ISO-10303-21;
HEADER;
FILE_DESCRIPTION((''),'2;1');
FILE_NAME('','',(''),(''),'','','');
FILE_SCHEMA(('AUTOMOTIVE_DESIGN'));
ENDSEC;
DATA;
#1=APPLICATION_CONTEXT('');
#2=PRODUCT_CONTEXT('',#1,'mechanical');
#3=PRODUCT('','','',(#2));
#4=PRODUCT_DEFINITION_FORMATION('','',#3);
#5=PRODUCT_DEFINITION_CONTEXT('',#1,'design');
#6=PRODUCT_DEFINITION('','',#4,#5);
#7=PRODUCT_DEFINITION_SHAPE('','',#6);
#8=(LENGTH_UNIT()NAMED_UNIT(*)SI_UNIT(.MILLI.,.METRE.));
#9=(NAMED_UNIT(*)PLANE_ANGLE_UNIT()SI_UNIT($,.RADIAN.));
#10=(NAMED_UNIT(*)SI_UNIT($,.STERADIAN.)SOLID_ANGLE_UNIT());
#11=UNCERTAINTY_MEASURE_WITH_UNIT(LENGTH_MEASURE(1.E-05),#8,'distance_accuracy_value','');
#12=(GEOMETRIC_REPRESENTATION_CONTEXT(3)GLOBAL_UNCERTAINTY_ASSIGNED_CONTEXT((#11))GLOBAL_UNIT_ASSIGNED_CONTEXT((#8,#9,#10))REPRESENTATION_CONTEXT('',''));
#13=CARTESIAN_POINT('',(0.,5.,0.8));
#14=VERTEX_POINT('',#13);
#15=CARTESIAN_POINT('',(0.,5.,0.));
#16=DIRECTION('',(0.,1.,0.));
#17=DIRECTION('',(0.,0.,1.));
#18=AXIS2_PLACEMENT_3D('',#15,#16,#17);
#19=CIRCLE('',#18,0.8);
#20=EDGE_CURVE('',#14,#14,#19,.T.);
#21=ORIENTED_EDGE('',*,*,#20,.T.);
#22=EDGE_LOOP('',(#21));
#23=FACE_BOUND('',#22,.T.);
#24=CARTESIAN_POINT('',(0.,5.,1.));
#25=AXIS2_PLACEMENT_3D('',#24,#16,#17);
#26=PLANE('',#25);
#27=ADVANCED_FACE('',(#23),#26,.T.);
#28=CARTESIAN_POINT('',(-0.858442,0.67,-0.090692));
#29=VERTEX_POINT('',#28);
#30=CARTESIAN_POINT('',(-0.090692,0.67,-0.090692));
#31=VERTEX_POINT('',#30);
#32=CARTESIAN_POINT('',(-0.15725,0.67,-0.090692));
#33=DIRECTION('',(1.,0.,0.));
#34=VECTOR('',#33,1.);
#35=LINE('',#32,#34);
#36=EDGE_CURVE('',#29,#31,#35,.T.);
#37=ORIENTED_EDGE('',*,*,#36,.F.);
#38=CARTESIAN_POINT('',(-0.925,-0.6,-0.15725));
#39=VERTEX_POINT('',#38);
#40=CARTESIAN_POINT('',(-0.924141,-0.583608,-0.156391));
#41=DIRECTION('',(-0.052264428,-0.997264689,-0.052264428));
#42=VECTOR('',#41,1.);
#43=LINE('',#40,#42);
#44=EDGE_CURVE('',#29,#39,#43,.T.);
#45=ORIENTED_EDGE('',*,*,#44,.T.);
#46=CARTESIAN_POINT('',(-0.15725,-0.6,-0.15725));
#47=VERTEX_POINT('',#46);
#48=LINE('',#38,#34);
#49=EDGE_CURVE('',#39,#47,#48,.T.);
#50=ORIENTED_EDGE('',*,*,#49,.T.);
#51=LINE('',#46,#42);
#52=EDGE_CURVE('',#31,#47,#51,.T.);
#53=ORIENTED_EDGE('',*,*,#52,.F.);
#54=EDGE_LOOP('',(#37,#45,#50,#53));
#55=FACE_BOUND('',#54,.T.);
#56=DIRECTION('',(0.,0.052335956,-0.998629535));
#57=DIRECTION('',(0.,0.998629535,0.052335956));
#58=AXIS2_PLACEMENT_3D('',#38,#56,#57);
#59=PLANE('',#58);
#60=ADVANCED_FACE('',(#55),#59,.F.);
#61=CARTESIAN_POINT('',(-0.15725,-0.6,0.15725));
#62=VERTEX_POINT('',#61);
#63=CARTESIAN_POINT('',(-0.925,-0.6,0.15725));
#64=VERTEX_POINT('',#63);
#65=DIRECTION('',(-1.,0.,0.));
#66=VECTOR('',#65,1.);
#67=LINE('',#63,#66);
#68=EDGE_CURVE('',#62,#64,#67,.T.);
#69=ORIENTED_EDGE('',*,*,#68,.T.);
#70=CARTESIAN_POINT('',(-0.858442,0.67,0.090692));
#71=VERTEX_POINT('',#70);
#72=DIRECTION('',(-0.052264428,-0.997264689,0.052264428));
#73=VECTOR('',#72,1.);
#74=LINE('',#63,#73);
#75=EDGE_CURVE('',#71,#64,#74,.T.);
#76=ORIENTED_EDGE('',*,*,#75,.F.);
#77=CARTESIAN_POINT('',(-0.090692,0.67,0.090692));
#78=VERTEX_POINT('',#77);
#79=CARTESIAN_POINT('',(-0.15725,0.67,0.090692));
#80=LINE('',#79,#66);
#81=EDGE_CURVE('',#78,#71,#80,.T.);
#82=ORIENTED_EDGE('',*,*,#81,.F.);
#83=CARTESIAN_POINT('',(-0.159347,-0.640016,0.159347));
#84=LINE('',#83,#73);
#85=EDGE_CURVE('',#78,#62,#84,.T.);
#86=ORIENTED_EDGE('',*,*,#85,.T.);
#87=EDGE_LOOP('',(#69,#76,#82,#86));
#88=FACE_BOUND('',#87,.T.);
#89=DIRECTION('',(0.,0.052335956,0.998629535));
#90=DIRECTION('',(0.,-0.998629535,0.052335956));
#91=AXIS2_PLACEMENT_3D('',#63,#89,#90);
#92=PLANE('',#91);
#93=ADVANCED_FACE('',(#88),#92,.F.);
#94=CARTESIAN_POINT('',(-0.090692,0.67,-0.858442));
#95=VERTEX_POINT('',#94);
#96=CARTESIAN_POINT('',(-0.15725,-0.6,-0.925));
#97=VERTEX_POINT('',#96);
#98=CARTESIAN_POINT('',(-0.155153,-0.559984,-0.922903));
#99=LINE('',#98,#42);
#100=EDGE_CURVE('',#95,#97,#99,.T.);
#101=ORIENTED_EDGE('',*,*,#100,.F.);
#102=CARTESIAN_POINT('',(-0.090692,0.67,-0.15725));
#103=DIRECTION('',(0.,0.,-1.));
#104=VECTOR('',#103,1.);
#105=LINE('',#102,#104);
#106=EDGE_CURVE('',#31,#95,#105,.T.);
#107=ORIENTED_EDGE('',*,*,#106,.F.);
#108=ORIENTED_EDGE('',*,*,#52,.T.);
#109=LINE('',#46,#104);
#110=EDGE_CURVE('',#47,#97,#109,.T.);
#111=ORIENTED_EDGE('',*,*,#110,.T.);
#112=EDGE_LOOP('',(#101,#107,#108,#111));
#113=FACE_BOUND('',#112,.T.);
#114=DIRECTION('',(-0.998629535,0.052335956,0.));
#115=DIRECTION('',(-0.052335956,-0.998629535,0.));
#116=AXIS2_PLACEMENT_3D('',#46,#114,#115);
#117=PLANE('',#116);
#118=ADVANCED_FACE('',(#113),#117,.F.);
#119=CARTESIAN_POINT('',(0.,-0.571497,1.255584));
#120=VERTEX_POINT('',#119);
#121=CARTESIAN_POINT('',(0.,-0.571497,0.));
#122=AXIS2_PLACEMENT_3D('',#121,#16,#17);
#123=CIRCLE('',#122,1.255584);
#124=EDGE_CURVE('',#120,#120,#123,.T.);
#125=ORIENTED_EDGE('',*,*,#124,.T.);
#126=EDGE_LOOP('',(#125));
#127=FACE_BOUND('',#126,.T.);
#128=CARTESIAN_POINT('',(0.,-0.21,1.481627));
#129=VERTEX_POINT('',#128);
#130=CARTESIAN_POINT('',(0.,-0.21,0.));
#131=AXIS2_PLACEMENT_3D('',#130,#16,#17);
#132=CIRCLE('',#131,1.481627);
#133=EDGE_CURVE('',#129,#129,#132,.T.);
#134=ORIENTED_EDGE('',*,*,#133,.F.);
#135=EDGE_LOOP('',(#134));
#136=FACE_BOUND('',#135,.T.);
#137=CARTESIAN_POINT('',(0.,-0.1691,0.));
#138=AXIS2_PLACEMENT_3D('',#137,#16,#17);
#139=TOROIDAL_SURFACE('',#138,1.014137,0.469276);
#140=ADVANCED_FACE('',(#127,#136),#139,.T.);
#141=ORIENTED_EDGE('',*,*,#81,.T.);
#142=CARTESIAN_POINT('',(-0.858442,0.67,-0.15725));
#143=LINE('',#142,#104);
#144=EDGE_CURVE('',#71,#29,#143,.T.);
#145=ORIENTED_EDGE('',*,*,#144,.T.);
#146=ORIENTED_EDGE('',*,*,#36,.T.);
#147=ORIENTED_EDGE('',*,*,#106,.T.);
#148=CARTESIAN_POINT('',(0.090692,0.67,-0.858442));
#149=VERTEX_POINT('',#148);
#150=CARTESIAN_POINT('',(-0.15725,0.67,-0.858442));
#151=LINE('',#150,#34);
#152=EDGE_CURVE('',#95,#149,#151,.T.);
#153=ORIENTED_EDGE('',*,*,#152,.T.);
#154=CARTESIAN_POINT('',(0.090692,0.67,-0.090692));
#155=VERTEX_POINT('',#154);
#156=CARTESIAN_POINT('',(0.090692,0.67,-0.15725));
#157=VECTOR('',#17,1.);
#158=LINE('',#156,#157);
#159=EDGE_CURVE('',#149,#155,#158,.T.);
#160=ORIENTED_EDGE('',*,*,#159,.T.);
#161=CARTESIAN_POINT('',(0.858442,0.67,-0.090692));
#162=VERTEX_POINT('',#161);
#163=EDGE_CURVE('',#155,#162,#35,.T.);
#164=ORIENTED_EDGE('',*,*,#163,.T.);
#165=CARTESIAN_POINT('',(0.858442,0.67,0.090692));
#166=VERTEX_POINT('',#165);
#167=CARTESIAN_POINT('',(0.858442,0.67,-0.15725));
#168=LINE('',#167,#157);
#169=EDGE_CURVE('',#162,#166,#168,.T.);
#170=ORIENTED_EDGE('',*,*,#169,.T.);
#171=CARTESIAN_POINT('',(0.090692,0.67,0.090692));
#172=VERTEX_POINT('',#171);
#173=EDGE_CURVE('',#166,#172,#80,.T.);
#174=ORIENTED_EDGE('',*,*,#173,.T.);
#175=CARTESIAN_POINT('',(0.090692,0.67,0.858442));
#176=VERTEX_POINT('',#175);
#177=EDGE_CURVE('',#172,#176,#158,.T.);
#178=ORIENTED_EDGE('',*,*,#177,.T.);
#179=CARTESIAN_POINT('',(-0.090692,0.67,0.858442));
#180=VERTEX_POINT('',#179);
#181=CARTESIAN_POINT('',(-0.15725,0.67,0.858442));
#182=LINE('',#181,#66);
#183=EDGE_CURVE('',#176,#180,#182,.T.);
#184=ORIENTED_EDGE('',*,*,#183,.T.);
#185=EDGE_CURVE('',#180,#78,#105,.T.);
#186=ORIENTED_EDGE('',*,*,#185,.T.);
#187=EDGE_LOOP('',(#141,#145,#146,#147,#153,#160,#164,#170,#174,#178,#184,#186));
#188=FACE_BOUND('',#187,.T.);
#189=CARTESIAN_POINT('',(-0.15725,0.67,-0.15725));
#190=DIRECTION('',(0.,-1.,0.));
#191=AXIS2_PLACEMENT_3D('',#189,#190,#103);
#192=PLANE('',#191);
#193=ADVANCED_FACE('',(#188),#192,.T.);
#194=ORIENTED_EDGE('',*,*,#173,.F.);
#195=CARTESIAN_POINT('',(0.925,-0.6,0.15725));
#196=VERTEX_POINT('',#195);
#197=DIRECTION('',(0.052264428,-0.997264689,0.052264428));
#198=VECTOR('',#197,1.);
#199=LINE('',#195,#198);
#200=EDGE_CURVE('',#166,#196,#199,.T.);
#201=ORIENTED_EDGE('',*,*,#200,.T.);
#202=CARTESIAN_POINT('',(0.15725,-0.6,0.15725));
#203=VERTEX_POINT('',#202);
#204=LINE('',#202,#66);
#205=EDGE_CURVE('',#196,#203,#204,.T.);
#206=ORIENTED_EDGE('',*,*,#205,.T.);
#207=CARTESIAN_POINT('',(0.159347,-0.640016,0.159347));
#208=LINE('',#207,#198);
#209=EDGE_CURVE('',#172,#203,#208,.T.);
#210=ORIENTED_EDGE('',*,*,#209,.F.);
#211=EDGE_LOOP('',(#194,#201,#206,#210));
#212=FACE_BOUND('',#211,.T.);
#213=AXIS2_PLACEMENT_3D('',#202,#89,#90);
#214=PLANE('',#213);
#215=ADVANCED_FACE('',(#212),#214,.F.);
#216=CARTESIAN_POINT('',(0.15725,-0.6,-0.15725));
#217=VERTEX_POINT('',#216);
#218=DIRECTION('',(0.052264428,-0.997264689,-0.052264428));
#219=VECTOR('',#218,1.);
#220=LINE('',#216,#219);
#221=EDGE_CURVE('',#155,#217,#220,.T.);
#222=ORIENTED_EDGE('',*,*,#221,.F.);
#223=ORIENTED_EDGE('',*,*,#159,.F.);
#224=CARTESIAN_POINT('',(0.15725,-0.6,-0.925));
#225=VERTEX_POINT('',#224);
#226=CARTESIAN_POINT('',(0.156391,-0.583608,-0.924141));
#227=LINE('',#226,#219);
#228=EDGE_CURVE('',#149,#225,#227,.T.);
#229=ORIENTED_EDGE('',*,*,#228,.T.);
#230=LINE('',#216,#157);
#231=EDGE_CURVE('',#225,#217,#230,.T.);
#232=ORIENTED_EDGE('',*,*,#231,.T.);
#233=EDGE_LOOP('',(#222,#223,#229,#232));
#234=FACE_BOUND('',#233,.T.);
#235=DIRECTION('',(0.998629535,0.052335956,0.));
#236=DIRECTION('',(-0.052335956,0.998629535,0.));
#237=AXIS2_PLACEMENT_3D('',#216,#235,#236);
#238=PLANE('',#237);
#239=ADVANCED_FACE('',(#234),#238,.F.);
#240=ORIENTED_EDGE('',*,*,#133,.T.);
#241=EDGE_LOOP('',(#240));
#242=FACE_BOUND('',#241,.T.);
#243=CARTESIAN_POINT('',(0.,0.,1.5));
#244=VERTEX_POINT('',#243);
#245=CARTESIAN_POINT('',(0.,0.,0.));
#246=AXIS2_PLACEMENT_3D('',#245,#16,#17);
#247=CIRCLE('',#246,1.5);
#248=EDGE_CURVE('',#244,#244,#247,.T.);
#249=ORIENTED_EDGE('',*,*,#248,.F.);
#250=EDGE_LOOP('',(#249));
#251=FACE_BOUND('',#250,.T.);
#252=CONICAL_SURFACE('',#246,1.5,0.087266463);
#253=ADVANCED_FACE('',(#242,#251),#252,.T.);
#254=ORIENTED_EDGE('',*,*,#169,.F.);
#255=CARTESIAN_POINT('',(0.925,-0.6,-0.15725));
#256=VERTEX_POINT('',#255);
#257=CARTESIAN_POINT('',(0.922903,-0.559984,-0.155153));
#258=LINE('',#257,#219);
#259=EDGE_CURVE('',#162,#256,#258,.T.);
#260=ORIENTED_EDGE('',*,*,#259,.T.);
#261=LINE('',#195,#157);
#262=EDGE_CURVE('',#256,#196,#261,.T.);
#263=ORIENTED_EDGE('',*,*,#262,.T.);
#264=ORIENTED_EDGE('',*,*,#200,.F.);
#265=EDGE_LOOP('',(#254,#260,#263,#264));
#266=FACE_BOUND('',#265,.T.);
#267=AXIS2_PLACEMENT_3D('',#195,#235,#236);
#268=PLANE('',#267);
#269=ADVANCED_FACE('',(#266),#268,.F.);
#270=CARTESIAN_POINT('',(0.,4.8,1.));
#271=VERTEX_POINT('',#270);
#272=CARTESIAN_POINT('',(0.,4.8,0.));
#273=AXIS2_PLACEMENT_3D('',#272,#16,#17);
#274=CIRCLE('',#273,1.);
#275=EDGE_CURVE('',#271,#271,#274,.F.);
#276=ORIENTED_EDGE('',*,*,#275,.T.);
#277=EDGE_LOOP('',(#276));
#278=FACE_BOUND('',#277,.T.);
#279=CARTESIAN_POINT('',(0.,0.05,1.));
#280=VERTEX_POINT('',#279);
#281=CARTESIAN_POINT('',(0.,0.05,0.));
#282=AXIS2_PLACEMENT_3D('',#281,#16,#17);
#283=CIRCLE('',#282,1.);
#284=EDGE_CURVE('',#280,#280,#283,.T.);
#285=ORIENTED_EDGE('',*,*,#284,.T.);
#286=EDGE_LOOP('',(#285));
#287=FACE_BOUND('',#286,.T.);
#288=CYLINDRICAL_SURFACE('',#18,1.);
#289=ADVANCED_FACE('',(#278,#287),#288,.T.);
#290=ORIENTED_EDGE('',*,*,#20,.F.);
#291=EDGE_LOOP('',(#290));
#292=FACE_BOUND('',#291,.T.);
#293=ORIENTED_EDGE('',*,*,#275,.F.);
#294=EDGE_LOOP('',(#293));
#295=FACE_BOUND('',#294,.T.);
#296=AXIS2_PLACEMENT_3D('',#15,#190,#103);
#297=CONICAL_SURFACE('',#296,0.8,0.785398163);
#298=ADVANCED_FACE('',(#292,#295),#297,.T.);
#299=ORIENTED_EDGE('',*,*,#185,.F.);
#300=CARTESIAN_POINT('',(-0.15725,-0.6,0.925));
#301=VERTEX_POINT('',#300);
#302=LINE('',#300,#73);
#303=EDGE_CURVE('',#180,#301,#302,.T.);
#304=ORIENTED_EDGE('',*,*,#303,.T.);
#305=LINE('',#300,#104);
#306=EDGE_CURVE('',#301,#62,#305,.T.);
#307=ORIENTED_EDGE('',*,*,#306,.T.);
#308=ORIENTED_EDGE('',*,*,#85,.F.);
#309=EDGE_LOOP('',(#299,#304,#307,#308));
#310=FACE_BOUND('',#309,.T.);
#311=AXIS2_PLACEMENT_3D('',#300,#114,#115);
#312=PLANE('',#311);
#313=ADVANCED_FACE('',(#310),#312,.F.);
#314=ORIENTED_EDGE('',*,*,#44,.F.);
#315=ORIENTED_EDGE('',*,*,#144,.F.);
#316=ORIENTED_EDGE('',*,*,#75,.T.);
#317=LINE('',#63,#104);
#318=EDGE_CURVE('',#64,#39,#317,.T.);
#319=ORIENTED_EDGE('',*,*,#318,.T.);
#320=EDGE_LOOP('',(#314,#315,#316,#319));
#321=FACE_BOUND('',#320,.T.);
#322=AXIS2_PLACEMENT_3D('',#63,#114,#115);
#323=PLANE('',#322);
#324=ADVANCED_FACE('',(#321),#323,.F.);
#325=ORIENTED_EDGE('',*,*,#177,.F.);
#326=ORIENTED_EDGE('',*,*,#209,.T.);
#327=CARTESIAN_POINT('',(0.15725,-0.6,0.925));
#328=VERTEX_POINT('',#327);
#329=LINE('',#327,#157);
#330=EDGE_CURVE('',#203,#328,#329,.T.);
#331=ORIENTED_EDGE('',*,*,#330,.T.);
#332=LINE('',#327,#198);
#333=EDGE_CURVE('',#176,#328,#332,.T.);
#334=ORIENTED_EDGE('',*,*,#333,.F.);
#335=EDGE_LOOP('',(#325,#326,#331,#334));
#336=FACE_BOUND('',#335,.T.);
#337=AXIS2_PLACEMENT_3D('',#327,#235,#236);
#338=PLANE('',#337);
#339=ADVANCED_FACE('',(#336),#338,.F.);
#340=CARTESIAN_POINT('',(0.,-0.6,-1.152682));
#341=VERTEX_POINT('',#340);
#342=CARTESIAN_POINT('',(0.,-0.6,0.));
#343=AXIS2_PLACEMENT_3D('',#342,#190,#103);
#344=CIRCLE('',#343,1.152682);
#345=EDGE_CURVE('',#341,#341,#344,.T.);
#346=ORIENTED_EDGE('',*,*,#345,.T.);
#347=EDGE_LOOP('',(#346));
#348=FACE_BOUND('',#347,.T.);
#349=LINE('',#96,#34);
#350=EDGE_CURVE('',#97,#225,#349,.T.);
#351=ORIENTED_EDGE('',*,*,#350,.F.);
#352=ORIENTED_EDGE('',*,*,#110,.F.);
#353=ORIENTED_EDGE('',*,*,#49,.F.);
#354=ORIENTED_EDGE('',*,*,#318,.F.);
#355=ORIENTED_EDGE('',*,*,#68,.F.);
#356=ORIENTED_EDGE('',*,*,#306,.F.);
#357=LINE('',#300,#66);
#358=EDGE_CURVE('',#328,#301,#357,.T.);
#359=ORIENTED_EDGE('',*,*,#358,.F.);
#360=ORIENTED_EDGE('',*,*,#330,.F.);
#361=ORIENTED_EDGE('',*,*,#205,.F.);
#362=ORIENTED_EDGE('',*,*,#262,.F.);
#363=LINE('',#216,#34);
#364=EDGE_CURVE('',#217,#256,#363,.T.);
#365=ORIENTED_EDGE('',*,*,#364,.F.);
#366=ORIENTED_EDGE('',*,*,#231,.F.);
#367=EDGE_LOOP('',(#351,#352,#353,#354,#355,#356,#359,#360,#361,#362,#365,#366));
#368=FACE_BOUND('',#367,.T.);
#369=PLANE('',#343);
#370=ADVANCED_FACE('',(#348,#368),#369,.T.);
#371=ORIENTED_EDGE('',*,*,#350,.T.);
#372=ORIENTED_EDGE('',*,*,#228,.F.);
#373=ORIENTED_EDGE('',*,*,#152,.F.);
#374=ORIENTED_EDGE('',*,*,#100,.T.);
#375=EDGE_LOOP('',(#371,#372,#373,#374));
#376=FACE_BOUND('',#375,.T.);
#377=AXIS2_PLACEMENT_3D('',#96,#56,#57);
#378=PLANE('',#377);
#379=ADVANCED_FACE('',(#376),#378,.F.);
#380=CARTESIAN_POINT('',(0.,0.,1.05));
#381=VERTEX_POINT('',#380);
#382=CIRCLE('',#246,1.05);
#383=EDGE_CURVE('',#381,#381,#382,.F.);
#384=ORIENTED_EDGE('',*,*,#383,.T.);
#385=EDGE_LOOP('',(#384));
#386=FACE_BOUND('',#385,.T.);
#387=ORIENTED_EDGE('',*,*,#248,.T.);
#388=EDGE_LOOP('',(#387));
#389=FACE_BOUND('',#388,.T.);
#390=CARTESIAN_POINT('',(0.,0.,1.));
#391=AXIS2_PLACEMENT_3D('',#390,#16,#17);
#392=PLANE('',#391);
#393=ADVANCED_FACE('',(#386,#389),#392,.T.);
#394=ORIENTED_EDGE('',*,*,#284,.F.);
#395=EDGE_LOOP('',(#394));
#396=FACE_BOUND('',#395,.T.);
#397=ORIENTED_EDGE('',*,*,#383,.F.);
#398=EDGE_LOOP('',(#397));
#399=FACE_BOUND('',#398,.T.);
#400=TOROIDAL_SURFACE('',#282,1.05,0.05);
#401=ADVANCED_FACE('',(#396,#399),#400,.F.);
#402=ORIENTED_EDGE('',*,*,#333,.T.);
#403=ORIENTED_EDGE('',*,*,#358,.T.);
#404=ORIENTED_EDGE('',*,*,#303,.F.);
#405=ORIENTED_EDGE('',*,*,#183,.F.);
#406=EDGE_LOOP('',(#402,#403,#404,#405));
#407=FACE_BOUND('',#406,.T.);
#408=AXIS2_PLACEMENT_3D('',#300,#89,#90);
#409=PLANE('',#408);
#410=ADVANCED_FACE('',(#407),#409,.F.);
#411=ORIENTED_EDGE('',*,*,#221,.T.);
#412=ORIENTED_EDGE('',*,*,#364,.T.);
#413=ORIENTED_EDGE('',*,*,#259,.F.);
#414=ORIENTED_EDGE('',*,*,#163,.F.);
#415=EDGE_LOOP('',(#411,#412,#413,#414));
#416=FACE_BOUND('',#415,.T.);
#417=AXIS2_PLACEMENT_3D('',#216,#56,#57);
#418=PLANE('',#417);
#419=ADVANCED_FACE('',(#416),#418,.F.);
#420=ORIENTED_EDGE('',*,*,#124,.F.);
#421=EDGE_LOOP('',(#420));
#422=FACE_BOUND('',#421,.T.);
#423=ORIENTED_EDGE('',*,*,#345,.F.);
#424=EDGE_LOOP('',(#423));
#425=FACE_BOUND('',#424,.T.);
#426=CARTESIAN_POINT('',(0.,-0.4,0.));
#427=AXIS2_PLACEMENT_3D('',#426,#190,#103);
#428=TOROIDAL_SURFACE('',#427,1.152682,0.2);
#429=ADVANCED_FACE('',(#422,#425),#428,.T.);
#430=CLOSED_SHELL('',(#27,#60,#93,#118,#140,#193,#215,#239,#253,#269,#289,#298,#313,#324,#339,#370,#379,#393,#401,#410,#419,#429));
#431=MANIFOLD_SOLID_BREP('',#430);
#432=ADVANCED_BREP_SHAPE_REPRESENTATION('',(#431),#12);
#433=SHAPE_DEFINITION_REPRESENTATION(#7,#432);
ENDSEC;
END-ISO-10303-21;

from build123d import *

# Parameters (mm, degrees)
FILLET5_R          = 0.2
CUT_EXTRUDE1_DEPTH = 1.27
CUT_EXTRUDE1_DRAFT = -3
FILLET4_R          = 0.05
CHAMFER1_SIZE      = 0.2


with BuildPart() as part:
    # Sketch1 → Revolve1 (revolve)
    with BuildSketch(Plane(origin=(0, 0, 0), x_dir=(0, 0, -1), z_dir=(1, 0, 0))):
        with BuildLine():
            Line((-1, 0), (-1, 5))
            Line((-1, 5), (0, 5))
            Line((0, 5), (0, -0.6))
            Line((0, -0.6), (-1.2, -0.6))
            ThreePointArc((-1.2, -0.6), (-1.394587635, -0.443831321), (-1.481627381, -0.21))
            Line((-1.481627381, -0.21), (-1.5, 0))
            Line((-1.5, 0), (-1, 0))
        make_face()
    revolve(axis=Axis((0, 5, 0), (0, -1, 0)))

    # Fillet5
    fillet5_edges = [part.edges().sort_by_distance(p)[0] for p in [
        (0, -0.6, -1.2),
    ]]
    fillet(fillet5_edges, radius=FILLET5_R)


with BuildPart() as cut_extrude1_tool:
    # Sketch2 → Cut-Extrude1 (with draft: the straight prism first)
    with BuildSketch(Plane.XZ.offset(0.6)):
        Polygon((0.15725, 0.15725), (0.15725, 0.925), (-0.15725, 0.925), (-0.15725, 0.15725), (-0.925, 0.15725), (-0.925, -0.15725), (-0.15725, -0.15725), (-0.15725, -0.925), (0.15725, -0.925), (0.15725, -0.15725), (0.925, -0.15725), (0.925, 0.15725), align=None)
    extrude(amount=-CUT_EXTRUDE1_DEPTH)
    # Cut-Extrude1: the draft: its side faces are tilted about the plane it starts from
    cut_extrude1_sides = [cut_extrude1_tool.faces().sort_by_distance(p)[0] for p in [
        (0.15725, 0.035, 0.541125),
        (0, 0.035, 0.925),
        (-0.15725, 0.035, 0.541125),
        (-0.541125, 0.035, 0.15725),
        (-0.925, 0.035, 0),
        (-0.541125, 0.035, -0.15725),
        (-0.15725, 0.035, -0.541125),
        (0, 0.035, -0.925),
        (0.15725, 0.035, -0.541125),
        (0.541125, 0.035, -0.15725),
        (0.925, 0.035, 0),
        (0.541125, 0.035, 0.15725),
    ]]
    draft(cut_extrude1_sides, Plane.XZ.offset(0.6), CUT_EXTRUDE1_DRAFT)


with BuildPart() as part_1:
    add(part.part)

    # Cut-Extrude1: cut by cut_extrude1_tool
    add(cut_extrude1_tool.part, mode=Mode.SUBTRACT)

    # Fillet4
    fillet4_edges = [part_1.edges().sort_by_distance(p)[0] for p in [
        (0, 0, -1),
    ]]
    fillet(fillet4_edges, radius=FILLET4_R)

    # Chamfer1
    chamfer1_edges = [part_1.edges().sort_by_distance(p)[0] for p in [
        (0, 5, -1),
    ]]
    chamfer(chamfer1_edges, length=CHAMFER1_SIZE)


solid = part_1.part
